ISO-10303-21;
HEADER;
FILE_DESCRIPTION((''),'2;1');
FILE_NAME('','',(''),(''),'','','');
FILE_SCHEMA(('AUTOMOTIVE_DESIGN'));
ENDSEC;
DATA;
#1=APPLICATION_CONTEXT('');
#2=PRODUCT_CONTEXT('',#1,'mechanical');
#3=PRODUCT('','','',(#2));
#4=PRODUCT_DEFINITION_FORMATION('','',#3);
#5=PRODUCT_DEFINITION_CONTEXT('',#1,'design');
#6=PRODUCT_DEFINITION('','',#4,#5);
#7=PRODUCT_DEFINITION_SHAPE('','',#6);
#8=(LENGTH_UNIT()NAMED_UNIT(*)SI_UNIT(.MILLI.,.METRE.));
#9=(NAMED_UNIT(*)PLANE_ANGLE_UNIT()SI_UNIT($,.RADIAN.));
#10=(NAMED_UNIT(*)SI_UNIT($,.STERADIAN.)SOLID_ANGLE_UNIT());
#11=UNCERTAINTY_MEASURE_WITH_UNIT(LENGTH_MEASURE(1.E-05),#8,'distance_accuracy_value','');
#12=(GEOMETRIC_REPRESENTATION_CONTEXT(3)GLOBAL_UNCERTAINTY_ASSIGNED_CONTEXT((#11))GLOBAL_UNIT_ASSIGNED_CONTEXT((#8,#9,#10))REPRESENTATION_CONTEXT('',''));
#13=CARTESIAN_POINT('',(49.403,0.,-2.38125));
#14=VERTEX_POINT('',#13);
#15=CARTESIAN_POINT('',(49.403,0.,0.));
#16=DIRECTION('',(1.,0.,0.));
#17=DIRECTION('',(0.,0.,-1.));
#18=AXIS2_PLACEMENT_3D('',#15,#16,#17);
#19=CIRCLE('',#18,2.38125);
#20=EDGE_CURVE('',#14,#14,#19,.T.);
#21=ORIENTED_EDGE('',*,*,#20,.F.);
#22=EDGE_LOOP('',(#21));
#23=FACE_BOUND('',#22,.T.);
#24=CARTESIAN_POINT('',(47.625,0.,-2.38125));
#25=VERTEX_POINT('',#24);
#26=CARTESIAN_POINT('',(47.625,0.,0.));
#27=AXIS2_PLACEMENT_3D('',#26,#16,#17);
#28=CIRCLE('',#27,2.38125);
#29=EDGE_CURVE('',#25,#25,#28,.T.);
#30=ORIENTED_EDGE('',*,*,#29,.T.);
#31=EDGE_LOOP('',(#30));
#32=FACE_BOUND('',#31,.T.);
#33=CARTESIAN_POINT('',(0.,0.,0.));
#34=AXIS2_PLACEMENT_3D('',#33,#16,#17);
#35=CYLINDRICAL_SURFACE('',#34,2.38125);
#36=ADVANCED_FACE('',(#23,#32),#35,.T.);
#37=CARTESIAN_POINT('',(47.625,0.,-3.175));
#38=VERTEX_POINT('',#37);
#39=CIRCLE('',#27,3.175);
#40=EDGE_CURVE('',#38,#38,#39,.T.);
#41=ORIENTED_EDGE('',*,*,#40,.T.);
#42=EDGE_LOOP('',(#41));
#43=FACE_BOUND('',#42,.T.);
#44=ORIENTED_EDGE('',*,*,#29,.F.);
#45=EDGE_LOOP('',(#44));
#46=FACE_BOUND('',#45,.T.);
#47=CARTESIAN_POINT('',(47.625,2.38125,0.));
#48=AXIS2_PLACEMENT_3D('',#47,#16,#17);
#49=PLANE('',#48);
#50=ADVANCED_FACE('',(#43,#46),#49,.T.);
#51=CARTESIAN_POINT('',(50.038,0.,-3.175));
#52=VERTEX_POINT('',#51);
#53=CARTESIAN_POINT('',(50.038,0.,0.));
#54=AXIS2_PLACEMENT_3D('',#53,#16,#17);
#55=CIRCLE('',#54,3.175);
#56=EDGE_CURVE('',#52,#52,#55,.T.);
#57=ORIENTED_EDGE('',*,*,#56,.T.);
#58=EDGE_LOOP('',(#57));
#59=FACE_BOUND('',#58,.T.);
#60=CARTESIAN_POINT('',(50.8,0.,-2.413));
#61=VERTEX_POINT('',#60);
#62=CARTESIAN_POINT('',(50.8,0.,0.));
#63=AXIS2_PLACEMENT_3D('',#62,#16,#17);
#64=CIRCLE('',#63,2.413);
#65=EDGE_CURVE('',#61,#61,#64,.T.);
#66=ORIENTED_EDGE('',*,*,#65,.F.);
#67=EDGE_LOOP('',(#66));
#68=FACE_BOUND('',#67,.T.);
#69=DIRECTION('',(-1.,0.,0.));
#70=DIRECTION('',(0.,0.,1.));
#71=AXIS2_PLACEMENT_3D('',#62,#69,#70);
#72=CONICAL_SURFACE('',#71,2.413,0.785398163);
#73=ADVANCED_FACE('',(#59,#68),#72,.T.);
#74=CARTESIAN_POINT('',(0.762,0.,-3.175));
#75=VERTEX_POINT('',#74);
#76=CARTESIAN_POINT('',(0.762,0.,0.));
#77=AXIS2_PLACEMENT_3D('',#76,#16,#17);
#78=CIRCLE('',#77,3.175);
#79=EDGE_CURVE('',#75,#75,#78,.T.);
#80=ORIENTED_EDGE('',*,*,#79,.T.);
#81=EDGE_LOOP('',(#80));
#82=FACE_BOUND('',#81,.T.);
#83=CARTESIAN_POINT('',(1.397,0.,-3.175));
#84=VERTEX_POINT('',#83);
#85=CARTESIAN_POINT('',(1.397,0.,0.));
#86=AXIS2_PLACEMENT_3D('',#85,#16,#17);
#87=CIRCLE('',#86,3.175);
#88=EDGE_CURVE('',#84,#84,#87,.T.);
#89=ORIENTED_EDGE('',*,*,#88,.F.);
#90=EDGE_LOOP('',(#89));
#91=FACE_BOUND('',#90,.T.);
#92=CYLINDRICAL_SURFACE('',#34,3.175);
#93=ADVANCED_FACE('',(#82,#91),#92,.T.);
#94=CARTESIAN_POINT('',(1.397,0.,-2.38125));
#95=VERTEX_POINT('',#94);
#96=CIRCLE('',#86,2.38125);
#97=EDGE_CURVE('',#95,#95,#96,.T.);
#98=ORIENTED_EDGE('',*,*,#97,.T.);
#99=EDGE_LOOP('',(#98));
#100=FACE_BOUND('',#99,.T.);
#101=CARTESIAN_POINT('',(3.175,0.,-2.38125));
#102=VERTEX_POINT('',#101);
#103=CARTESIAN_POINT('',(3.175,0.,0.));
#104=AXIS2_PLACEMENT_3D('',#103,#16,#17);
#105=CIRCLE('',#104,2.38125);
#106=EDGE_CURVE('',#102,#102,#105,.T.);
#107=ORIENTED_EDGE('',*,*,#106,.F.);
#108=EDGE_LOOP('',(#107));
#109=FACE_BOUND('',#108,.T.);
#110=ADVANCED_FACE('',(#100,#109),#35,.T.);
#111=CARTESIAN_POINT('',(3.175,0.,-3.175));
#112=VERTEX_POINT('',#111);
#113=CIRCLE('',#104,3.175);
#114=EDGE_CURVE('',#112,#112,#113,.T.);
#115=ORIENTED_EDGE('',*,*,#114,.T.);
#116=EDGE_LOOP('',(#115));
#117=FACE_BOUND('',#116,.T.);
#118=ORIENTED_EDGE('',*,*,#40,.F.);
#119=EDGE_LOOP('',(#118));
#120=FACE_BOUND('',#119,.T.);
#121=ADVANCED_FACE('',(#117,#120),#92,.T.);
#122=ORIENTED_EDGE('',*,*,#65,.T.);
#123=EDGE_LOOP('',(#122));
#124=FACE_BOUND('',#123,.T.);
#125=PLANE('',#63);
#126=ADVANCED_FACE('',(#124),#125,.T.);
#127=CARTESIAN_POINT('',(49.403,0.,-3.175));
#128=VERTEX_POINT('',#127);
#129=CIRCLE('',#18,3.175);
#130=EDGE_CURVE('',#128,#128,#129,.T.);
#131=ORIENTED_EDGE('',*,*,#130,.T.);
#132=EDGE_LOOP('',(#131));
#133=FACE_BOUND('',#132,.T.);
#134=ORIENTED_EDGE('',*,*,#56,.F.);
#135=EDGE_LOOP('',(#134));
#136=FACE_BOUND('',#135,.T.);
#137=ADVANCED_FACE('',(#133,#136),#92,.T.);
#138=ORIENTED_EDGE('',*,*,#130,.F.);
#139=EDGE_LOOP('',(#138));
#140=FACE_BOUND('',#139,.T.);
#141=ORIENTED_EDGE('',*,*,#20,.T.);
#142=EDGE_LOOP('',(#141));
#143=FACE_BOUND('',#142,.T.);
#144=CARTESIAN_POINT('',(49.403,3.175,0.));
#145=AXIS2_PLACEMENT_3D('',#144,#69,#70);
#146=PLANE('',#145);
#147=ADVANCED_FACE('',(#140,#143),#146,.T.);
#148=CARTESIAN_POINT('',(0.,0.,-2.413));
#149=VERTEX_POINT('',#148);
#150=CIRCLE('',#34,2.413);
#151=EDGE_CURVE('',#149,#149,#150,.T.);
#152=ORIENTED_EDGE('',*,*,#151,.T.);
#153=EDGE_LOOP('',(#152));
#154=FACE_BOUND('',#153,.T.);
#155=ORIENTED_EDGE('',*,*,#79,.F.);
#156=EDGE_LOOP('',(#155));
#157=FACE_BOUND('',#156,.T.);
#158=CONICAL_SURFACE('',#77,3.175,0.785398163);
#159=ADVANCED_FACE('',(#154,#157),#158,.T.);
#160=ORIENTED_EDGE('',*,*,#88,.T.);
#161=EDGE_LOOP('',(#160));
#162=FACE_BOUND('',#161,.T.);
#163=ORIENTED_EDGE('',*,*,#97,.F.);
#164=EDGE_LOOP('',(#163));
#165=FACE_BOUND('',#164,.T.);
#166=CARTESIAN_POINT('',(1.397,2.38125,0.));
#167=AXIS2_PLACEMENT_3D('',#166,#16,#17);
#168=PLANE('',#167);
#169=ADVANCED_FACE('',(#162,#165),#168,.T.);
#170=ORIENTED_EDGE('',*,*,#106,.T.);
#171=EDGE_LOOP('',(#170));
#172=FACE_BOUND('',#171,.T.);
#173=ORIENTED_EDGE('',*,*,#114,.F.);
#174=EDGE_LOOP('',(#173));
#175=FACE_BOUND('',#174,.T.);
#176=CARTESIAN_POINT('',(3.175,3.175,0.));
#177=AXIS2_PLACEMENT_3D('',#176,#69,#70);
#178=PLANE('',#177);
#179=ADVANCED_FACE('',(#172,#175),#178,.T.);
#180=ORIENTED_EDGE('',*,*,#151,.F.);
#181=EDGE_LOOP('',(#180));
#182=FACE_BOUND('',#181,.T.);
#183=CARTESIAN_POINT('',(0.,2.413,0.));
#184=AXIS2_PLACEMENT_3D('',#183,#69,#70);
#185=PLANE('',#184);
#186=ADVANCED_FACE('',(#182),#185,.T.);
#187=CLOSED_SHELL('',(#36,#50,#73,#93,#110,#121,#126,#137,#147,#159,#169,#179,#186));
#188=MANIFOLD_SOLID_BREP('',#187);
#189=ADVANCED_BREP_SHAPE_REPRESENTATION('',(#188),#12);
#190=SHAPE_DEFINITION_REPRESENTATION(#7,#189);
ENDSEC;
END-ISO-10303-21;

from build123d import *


with BuildPart() as part:
    # Sketch1 → Revolve1 (revolve)
    with BuildSketch(Plane.XY):
        Polygon((0, 0), (50.8, 0), (50.8, 2.413), (50.038, 3.175), (49.403, 3.175), (49.403, 2.38125), (47.625, 2.38125), (47.625, 3.175), (3.175, 3.175), (3.175, 2.38125), (1.397, 2.38125), (1.397, 3.175), (0.762, 3.175), (0, 2.413), align=None)
    revolve(axis=Axis((0, 0, 0), (-1, 0, 0)))


solid = part.part
